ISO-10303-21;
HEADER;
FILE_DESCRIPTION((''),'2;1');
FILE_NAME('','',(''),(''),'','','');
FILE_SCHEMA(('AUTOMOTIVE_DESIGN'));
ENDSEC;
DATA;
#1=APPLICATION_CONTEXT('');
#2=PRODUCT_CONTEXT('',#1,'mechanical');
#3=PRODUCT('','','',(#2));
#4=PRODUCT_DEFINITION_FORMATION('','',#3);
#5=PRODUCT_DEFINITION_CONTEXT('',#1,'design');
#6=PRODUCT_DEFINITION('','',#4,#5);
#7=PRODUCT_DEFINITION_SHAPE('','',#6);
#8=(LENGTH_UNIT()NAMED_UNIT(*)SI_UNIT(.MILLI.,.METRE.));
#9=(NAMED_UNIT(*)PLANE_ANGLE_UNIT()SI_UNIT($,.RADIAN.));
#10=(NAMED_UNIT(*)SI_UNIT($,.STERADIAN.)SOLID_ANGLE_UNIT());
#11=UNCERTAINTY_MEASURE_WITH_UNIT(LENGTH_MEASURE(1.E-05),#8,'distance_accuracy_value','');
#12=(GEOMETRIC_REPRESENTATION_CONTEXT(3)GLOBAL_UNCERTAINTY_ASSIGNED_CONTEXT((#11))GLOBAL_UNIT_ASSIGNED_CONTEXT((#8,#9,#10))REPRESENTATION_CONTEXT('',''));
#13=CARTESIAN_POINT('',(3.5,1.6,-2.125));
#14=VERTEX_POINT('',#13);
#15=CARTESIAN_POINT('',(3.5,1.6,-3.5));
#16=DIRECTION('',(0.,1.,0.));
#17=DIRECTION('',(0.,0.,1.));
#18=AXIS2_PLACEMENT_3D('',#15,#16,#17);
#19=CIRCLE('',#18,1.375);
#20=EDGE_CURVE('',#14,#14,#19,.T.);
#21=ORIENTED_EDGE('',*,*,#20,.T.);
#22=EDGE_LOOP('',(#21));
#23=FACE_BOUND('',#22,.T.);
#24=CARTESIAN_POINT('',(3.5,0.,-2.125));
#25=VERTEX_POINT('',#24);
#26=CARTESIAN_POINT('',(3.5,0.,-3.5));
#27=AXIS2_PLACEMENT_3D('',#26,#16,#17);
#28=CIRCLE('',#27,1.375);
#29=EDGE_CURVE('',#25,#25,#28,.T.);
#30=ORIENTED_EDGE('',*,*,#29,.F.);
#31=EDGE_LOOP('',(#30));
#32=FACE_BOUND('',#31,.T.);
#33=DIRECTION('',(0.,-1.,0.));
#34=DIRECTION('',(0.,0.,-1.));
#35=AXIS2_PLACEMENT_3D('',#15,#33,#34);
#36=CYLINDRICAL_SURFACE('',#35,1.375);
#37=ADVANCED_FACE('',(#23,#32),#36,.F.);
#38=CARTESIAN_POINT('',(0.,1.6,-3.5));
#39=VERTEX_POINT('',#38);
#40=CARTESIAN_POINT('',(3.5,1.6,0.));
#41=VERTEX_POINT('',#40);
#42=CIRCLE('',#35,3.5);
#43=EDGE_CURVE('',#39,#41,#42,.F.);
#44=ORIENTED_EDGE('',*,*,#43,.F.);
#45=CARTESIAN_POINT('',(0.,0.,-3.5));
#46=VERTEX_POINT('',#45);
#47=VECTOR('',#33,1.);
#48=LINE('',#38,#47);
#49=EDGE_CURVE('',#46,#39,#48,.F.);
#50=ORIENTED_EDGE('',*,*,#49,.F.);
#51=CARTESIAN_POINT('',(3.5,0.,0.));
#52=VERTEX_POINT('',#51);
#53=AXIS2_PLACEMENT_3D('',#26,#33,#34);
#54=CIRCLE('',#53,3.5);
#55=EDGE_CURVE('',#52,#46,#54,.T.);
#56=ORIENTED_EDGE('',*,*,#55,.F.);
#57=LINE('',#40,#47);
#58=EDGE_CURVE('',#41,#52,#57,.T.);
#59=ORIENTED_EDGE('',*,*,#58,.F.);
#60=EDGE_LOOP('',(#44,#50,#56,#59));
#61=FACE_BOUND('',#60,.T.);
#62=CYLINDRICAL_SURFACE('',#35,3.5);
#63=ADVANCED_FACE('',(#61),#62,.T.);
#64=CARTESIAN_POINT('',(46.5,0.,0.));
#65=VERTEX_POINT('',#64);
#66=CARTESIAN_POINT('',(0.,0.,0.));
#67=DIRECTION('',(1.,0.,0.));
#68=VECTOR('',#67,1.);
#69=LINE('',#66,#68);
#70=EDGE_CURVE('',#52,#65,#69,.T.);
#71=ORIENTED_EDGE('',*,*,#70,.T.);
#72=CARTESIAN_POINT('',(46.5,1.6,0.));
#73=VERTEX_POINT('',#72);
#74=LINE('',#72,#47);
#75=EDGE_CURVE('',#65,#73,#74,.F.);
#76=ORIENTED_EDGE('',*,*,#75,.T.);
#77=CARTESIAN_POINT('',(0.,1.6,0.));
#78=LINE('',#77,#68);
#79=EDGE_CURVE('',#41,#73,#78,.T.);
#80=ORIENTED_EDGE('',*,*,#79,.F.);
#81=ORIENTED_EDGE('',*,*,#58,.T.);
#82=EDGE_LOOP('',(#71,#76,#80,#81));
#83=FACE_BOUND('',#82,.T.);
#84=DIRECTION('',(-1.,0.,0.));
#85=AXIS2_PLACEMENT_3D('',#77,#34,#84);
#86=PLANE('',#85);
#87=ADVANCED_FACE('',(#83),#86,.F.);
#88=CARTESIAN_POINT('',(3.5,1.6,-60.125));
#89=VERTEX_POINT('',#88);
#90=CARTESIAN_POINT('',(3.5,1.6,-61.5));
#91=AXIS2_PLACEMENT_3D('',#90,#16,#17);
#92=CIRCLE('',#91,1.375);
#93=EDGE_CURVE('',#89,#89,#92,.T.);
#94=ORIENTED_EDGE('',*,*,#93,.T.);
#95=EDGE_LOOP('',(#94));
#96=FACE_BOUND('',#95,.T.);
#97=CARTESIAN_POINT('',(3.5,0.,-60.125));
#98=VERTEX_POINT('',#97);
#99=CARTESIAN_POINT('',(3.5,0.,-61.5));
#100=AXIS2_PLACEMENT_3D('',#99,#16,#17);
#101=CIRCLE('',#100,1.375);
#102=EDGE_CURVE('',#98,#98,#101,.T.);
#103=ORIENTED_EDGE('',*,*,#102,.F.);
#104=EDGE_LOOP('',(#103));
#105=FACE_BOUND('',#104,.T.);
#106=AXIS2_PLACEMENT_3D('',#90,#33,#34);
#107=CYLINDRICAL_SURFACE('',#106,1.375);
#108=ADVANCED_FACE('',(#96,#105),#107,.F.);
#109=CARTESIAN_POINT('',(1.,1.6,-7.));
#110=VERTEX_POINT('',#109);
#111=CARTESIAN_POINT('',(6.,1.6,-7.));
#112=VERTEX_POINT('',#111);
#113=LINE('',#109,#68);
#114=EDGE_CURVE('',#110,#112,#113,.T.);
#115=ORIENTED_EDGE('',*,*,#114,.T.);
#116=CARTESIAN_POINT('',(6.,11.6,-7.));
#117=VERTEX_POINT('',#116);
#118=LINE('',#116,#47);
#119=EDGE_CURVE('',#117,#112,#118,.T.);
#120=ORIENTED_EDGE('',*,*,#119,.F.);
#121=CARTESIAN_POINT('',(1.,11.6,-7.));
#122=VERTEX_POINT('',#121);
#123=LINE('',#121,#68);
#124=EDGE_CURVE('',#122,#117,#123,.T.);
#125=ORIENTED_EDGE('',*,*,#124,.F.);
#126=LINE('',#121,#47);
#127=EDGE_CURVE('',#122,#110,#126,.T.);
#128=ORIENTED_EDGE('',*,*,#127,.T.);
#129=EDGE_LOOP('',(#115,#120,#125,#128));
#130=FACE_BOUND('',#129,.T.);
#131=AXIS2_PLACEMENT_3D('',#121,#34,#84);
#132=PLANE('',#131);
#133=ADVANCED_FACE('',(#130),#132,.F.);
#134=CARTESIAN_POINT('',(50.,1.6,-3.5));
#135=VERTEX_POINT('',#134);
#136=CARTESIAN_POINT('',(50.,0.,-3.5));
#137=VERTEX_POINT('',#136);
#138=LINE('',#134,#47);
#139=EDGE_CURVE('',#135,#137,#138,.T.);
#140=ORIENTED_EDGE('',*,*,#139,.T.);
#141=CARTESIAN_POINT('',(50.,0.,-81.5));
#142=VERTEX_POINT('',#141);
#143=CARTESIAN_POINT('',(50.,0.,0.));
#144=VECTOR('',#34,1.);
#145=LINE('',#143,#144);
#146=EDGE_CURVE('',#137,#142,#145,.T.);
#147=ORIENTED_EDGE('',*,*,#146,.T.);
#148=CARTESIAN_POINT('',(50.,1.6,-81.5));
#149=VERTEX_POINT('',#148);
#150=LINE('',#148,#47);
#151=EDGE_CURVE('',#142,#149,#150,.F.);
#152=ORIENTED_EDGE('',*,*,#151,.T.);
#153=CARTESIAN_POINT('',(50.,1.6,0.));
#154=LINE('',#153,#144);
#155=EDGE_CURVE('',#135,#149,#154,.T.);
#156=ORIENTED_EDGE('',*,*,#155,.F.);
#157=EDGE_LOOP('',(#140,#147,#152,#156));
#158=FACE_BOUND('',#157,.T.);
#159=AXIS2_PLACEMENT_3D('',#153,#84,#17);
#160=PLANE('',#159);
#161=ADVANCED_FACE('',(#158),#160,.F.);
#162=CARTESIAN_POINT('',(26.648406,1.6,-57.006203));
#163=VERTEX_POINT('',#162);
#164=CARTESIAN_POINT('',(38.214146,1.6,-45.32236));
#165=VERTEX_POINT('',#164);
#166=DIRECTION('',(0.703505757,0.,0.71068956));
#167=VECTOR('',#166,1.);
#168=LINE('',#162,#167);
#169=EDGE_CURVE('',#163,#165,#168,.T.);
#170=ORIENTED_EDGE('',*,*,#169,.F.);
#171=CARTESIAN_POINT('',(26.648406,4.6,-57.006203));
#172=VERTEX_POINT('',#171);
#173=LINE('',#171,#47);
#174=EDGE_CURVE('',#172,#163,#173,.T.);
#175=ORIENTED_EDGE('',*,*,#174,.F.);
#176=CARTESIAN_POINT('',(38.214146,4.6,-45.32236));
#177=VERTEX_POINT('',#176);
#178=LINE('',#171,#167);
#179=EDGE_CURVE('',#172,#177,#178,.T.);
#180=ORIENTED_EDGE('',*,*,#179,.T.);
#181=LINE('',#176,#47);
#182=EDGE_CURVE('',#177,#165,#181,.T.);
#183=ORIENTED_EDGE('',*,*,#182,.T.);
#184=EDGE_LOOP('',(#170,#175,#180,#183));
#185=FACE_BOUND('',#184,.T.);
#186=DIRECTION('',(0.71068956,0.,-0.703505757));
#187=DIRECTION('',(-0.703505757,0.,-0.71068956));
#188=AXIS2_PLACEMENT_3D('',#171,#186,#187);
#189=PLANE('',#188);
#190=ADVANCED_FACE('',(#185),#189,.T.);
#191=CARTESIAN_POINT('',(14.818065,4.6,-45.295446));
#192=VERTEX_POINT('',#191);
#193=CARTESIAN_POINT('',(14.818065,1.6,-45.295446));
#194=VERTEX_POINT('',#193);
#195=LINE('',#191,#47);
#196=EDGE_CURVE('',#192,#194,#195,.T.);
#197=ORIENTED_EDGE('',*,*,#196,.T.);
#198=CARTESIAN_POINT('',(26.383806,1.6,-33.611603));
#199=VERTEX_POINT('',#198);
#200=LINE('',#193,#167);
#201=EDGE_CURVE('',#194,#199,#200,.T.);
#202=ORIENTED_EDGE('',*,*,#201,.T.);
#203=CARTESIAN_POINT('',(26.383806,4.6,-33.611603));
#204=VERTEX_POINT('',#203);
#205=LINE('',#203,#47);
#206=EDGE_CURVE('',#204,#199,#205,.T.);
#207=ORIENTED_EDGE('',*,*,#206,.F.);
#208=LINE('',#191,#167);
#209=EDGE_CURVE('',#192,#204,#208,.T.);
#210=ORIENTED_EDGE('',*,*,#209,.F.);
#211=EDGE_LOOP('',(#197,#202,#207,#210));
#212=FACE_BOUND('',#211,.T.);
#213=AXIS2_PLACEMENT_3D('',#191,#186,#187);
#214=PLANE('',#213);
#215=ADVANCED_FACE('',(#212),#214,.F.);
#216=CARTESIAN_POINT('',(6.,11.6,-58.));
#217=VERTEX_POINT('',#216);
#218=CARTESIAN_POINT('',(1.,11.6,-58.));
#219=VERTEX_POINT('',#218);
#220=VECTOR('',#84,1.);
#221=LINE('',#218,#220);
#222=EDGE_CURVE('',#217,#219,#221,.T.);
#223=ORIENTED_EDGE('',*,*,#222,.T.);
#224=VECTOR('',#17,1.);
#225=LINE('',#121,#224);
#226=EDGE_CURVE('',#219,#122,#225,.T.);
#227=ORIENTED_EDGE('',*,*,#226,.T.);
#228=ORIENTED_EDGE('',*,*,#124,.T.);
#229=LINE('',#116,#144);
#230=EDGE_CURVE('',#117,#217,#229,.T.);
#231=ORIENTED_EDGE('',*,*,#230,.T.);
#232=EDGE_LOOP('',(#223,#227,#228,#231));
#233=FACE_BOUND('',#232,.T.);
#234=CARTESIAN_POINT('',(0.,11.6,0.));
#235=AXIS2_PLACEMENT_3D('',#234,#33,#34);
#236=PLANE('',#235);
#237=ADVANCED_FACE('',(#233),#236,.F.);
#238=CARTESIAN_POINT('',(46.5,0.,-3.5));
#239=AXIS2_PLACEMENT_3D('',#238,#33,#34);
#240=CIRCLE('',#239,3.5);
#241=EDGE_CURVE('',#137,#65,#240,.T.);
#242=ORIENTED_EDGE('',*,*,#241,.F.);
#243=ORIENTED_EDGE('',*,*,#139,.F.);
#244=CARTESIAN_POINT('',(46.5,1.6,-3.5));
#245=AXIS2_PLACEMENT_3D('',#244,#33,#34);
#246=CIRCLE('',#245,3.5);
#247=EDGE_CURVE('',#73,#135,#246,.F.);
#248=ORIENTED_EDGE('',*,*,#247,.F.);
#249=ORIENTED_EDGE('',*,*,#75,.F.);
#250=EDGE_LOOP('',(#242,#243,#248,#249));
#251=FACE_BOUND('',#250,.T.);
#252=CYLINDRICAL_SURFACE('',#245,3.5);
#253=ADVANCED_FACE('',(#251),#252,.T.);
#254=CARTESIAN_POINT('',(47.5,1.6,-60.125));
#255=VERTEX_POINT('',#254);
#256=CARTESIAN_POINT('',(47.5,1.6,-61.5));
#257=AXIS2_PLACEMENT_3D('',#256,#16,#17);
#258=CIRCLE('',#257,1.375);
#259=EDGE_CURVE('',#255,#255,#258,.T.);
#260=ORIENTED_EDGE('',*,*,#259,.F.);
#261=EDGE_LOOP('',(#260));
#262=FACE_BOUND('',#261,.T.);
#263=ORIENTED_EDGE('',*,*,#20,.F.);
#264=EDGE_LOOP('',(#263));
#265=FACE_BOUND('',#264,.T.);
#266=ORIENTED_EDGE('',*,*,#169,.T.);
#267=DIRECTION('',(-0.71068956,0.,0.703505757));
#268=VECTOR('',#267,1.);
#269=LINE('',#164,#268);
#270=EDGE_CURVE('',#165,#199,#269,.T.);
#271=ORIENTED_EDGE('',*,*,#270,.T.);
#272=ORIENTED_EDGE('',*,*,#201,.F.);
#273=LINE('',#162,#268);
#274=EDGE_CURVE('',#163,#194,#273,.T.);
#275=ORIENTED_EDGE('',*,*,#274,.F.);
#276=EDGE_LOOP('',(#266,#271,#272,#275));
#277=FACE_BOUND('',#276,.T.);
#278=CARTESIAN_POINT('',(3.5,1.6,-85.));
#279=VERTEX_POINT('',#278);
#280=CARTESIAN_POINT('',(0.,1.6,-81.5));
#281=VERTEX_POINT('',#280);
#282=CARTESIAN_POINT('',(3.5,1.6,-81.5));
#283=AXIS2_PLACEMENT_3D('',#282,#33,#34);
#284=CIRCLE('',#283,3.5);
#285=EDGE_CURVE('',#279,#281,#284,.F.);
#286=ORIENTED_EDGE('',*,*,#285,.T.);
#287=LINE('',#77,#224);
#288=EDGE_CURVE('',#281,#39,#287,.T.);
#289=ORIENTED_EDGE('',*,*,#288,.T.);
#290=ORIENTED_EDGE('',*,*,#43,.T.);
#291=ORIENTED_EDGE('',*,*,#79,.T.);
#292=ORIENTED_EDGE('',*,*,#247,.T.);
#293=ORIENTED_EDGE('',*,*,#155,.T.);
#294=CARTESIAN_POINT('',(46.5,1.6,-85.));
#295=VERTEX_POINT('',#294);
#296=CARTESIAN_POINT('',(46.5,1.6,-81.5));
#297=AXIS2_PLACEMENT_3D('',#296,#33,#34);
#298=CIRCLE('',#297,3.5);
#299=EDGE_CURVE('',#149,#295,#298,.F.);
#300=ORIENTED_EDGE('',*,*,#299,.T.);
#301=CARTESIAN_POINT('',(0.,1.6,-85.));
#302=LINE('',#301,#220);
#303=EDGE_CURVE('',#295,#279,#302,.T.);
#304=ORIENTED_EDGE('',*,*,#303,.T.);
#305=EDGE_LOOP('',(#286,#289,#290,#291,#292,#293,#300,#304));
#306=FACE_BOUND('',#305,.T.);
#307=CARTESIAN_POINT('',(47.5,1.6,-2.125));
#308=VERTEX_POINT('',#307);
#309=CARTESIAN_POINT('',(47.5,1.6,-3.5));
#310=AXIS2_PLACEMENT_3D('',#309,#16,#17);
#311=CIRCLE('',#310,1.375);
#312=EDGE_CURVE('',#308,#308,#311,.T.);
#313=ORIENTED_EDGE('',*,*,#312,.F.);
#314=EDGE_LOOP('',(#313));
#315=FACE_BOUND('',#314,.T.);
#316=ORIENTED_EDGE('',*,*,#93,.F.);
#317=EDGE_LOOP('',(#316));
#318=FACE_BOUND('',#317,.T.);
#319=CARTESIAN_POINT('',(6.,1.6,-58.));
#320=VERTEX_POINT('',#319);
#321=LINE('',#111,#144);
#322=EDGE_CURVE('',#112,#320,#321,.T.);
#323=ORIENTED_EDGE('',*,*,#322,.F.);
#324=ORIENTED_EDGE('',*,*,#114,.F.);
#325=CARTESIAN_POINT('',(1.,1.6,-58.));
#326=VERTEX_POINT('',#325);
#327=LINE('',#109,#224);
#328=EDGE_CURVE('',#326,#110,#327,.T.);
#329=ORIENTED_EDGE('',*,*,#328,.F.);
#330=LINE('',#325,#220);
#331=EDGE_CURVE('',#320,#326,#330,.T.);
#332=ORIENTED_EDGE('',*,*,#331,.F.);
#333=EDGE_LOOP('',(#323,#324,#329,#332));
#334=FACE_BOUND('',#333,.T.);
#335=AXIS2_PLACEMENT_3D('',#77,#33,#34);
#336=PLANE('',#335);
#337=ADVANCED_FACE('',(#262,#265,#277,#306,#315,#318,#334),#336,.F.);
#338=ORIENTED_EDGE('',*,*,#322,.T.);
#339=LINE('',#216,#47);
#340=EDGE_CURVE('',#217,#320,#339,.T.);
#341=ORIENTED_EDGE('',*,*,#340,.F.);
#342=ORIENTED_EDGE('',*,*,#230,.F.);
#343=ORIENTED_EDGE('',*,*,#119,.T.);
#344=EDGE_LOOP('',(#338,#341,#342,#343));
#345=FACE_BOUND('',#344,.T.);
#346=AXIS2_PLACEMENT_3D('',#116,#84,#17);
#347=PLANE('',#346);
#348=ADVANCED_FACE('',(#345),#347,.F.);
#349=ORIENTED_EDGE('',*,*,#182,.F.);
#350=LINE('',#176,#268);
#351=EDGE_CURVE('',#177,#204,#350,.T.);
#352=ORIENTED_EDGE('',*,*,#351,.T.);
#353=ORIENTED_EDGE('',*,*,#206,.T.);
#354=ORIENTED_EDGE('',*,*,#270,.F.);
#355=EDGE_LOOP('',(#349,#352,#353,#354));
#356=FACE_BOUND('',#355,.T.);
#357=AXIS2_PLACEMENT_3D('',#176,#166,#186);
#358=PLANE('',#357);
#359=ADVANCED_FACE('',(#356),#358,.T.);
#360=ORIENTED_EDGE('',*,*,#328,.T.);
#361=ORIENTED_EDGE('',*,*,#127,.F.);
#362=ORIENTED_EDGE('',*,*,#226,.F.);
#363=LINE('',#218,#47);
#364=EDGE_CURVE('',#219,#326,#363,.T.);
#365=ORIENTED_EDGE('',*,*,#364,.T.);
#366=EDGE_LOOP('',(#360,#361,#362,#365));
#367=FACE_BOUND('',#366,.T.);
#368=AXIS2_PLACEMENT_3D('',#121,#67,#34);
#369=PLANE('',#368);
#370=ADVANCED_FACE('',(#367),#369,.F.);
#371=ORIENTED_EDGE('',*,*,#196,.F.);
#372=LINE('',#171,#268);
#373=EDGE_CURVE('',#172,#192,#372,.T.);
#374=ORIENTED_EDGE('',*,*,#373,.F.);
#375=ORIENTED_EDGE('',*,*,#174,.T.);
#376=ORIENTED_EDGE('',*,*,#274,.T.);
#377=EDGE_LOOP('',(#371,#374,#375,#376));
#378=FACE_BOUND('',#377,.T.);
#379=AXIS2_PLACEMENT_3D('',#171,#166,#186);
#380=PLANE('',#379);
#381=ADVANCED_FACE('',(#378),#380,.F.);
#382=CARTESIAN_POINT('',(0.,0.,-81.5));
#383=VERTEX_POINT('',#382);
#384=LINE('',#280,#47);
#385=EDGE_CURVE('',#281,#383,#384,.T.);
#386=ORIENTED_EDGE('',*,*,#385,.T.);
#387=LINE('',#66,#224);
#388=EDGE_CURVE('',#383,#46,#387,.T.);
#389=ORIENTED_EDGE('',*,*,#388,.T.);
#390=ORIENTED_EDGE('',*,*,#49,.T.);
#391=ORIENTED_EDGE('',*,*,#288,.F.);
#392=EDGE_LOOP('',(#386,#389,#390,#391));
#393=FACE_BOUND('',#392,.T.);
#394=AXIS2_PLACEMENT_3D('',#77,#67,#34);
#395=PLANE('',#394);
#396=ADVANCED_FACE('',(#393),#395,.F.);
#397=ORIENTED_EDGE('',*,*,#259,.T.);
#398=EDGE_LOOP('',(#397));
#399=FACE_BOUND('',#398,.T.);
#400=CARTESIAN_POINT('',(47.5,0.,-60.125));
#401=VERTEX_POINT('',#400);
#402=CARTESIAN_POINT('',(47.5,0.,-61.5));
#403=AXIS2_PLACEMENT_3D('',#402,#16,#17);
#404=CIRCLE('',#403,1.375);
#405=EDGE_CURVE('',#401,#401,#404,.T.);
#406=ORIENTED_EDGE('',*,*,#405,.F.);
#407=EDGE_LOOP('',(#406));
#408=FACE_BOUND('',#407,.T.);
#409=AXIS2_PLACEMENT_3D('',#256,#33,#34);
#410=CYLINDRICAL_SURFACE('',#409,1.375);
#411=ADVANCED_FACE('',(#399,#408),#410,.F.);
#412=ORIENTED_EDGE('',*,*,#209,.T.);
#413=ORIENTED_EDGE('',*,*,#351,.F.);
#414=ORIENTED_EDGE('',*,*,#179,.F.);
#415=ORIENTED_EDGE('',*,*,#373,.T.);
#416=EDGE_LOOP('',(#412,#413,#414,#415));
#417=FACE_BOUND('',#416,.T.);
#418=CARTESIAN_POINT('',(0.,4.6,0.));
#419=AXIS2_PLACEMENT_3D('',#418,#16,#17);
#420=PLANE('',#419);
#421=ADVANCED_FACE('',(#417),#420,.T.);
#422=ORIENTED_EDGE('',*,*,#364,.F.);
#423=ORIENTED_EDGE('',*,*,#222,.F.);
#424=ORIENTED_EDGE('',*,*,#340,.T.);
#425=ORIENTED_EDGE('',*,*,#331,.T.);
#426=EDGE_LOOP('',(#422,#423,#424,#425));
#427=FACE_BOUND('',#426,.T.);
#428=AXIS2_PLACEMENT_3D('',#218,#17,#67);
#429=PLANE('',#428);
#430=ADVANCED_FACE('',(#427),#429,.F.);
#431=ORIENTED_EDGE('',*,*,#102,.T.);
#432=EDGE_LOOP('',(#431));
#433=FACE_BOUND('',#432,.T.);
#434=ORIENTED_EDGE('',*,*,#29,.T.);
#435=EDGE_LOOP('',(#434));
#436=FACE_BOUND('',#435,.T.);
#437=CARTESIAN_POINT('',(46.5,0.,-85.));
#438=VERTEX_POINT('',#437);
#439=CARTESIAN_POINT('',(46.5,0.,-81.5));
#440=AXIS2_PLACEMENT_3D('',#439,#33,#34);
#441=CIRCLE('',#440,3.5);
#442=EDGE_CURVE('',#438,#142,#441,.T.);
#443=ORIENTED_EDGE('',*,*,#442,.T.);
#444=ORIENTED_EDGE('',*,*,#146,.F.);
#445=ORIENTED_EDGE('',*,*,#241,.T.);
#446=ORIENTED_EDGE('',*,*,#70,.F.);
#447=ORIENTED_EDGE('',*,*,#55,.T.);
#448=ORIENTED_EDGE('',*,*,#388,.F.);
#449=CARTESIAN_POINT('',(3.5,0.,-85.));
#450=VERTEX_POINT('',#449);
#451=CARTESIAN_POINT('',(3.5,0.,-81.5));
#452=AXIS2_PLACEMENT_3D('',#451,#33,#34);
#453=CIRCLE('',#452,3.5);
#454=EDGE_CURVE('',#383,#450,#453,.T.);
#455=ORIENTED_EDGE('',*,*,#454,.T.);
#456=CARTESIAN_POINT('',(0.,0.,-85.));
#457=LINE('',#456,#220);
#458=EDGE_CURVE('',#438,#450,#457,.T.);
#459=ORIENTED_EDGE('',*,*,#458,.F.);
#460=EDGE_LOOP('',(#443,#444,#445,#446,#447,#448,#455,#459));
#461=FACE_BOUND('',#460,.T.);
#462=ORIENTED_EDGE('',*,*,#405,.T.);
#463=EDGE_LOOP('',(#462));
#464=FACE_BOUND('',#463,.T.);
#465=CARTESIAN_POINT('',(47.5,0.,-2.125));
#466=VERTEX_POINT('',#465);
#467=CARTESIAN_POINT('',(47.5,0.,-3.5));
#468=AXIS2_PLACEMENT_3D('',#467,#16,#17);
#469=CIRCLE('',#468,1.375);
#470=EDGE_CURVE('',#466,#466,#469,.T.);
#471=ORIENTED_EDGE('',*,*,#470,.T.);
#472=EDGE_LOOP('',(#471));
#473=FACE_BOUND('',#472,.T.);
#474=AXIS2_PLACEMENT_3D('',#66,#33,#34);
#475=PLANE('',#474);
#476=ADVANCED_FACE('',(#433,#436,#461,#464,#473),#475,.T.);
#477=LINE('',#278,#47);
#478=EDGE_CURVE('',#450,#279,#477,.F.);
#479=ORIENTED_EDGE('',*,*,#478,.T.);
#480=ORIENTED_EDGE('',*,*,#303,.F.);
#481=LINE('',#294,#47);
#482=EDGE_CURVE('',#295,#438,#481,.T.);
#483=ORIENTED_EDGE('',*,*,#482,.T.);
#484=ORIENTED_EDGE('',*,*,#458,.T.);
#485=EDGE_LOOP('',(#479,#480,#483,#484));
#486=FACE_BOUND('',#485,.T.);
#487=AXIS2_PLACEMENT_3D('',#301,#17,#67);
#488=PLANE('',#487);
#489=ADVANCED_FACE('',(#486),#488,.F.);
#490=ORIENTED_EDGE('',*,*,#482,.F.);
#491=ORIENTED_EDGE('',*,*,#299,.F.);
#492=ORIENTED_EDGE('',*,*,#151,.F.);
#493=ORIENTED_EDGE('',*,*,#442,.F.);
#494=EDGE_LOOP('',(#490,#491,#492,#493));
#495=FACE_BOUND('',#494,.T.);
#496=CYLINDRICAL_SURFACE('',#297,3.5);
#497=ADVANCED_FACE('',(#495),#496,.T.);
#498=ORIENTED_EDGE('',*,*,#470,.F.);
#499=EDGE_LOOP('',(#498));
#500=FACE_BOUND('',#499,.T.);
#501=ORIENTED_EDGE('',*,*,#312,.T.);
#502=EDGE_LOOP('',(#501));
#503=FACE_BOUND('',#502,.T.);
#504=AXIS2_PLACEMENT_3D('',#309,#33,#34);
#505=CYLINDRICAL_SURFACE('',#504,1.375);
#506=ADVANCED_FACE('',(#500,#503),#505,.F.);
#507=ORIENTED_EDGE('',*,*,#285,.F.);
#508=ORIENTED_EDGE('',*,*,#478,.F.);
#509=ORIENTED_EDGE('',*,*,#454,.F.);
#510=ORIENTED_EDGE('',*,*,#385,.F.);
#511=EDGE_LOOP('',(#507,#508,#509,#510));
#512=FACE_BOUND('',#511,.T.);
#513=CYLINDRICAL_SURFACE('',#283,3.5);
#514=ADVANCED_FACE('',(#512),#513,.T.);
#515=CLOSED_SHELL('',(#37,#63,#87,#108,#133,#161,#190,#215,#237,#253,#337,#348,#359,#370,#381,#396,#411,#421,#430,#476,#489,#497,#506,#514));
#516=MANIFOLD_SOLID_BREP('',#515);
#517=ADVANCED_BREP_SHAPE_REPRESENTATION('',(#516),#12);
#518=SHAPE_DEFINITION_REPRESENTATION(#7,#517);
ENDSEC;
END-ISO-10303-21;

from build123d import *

# Parameters (mm, degrees)
SKETCH1_W           = 50
SKETCH1_H           = 85
SKETCH1_R           = 1.375
BOSS_EXTRUDE1_DEPTH = 1.6
FILLET1_R           = 3.5
SKETCH5_W           = 5
SKETCH5_H           = 51
BOSS_EXTRUDE3_DEPTH = 10
BOSS_EXTRUDE4_DEPTH = 3


with BuildPart() as part:
    # Sketch1 → Boss-Extrude1 (new body)
    with BuildSketch(Plane(origin=(0, 0, 0), x_dir=(1, 0, 0), z_dir=(0, 1, 0))):
        with Locations((25, 42.5)):
            Rectangle(SKETCH1_W, SKETCH1_H)
        with Locations(Location((3.5, 3.5, 0), (0, 0, 270))):
            Circle(SKETCH1_R, mode=Mode.SUBTRACT)
        with Locations(Location((47.5, 3.5, 0), (0, 0, 270))):
            Circle(SKETCH1_R, mode=Mode.SUBTRACT)
        with Locations(Location((47.5, 61.5, 0), (0, 0, 270))):
            Circle(SKETCH1_R, mode=Mode.SUBTRACT)
        with Locations(Location((3.5, 61.5, 0), (0, 0, 270))):
            Circle(SKETCH1_R, mode=Mode.SUBTRACT)
    extrude(amount=BOSS_EXTRUDE1_DEPTH)

    # Fillet1
    fillet1_edges = [part.edges().sort_by_distance(p)[0] for p in [
        (0, 0.8, -85),
        (50, 0.8, -85),
        (50, 0.8, 0),
        (0, 0.8, 0),
    ]]
    fillet(fillet1_edges, radius=FILLET1_R)

    # Sketch5 → Boss-Extrude3 (add)
    with BuildSketch(Plane(origin=(0, 1.6, 0), x_dir=(1, 0, 0), z_dir=(0, 1, 0))):
        with Locations((3.5, 32.5)):
            Rectangle(SKETCH5_W, SKETCH5_H)
    extrude(amount=BOSS_EXTRUDE3_DEPTH)

    # Sketch6 → Boss-Extrude4 (add)
    with BuildSketch(Plane(origin=(0, 1.6, 0), x_dir=(1, 0, 0), z_dir=(0, 1, 0))):
        Polygon((26.64840561, 57.006203003), (38.214146185, 45.322359626), (26.383805878, 33.611602944), (14.818065303, 45.295446321), align=None)
    extrude(amount=BOSS_EXTRUDE4_DEPTH)


solid = part.part
